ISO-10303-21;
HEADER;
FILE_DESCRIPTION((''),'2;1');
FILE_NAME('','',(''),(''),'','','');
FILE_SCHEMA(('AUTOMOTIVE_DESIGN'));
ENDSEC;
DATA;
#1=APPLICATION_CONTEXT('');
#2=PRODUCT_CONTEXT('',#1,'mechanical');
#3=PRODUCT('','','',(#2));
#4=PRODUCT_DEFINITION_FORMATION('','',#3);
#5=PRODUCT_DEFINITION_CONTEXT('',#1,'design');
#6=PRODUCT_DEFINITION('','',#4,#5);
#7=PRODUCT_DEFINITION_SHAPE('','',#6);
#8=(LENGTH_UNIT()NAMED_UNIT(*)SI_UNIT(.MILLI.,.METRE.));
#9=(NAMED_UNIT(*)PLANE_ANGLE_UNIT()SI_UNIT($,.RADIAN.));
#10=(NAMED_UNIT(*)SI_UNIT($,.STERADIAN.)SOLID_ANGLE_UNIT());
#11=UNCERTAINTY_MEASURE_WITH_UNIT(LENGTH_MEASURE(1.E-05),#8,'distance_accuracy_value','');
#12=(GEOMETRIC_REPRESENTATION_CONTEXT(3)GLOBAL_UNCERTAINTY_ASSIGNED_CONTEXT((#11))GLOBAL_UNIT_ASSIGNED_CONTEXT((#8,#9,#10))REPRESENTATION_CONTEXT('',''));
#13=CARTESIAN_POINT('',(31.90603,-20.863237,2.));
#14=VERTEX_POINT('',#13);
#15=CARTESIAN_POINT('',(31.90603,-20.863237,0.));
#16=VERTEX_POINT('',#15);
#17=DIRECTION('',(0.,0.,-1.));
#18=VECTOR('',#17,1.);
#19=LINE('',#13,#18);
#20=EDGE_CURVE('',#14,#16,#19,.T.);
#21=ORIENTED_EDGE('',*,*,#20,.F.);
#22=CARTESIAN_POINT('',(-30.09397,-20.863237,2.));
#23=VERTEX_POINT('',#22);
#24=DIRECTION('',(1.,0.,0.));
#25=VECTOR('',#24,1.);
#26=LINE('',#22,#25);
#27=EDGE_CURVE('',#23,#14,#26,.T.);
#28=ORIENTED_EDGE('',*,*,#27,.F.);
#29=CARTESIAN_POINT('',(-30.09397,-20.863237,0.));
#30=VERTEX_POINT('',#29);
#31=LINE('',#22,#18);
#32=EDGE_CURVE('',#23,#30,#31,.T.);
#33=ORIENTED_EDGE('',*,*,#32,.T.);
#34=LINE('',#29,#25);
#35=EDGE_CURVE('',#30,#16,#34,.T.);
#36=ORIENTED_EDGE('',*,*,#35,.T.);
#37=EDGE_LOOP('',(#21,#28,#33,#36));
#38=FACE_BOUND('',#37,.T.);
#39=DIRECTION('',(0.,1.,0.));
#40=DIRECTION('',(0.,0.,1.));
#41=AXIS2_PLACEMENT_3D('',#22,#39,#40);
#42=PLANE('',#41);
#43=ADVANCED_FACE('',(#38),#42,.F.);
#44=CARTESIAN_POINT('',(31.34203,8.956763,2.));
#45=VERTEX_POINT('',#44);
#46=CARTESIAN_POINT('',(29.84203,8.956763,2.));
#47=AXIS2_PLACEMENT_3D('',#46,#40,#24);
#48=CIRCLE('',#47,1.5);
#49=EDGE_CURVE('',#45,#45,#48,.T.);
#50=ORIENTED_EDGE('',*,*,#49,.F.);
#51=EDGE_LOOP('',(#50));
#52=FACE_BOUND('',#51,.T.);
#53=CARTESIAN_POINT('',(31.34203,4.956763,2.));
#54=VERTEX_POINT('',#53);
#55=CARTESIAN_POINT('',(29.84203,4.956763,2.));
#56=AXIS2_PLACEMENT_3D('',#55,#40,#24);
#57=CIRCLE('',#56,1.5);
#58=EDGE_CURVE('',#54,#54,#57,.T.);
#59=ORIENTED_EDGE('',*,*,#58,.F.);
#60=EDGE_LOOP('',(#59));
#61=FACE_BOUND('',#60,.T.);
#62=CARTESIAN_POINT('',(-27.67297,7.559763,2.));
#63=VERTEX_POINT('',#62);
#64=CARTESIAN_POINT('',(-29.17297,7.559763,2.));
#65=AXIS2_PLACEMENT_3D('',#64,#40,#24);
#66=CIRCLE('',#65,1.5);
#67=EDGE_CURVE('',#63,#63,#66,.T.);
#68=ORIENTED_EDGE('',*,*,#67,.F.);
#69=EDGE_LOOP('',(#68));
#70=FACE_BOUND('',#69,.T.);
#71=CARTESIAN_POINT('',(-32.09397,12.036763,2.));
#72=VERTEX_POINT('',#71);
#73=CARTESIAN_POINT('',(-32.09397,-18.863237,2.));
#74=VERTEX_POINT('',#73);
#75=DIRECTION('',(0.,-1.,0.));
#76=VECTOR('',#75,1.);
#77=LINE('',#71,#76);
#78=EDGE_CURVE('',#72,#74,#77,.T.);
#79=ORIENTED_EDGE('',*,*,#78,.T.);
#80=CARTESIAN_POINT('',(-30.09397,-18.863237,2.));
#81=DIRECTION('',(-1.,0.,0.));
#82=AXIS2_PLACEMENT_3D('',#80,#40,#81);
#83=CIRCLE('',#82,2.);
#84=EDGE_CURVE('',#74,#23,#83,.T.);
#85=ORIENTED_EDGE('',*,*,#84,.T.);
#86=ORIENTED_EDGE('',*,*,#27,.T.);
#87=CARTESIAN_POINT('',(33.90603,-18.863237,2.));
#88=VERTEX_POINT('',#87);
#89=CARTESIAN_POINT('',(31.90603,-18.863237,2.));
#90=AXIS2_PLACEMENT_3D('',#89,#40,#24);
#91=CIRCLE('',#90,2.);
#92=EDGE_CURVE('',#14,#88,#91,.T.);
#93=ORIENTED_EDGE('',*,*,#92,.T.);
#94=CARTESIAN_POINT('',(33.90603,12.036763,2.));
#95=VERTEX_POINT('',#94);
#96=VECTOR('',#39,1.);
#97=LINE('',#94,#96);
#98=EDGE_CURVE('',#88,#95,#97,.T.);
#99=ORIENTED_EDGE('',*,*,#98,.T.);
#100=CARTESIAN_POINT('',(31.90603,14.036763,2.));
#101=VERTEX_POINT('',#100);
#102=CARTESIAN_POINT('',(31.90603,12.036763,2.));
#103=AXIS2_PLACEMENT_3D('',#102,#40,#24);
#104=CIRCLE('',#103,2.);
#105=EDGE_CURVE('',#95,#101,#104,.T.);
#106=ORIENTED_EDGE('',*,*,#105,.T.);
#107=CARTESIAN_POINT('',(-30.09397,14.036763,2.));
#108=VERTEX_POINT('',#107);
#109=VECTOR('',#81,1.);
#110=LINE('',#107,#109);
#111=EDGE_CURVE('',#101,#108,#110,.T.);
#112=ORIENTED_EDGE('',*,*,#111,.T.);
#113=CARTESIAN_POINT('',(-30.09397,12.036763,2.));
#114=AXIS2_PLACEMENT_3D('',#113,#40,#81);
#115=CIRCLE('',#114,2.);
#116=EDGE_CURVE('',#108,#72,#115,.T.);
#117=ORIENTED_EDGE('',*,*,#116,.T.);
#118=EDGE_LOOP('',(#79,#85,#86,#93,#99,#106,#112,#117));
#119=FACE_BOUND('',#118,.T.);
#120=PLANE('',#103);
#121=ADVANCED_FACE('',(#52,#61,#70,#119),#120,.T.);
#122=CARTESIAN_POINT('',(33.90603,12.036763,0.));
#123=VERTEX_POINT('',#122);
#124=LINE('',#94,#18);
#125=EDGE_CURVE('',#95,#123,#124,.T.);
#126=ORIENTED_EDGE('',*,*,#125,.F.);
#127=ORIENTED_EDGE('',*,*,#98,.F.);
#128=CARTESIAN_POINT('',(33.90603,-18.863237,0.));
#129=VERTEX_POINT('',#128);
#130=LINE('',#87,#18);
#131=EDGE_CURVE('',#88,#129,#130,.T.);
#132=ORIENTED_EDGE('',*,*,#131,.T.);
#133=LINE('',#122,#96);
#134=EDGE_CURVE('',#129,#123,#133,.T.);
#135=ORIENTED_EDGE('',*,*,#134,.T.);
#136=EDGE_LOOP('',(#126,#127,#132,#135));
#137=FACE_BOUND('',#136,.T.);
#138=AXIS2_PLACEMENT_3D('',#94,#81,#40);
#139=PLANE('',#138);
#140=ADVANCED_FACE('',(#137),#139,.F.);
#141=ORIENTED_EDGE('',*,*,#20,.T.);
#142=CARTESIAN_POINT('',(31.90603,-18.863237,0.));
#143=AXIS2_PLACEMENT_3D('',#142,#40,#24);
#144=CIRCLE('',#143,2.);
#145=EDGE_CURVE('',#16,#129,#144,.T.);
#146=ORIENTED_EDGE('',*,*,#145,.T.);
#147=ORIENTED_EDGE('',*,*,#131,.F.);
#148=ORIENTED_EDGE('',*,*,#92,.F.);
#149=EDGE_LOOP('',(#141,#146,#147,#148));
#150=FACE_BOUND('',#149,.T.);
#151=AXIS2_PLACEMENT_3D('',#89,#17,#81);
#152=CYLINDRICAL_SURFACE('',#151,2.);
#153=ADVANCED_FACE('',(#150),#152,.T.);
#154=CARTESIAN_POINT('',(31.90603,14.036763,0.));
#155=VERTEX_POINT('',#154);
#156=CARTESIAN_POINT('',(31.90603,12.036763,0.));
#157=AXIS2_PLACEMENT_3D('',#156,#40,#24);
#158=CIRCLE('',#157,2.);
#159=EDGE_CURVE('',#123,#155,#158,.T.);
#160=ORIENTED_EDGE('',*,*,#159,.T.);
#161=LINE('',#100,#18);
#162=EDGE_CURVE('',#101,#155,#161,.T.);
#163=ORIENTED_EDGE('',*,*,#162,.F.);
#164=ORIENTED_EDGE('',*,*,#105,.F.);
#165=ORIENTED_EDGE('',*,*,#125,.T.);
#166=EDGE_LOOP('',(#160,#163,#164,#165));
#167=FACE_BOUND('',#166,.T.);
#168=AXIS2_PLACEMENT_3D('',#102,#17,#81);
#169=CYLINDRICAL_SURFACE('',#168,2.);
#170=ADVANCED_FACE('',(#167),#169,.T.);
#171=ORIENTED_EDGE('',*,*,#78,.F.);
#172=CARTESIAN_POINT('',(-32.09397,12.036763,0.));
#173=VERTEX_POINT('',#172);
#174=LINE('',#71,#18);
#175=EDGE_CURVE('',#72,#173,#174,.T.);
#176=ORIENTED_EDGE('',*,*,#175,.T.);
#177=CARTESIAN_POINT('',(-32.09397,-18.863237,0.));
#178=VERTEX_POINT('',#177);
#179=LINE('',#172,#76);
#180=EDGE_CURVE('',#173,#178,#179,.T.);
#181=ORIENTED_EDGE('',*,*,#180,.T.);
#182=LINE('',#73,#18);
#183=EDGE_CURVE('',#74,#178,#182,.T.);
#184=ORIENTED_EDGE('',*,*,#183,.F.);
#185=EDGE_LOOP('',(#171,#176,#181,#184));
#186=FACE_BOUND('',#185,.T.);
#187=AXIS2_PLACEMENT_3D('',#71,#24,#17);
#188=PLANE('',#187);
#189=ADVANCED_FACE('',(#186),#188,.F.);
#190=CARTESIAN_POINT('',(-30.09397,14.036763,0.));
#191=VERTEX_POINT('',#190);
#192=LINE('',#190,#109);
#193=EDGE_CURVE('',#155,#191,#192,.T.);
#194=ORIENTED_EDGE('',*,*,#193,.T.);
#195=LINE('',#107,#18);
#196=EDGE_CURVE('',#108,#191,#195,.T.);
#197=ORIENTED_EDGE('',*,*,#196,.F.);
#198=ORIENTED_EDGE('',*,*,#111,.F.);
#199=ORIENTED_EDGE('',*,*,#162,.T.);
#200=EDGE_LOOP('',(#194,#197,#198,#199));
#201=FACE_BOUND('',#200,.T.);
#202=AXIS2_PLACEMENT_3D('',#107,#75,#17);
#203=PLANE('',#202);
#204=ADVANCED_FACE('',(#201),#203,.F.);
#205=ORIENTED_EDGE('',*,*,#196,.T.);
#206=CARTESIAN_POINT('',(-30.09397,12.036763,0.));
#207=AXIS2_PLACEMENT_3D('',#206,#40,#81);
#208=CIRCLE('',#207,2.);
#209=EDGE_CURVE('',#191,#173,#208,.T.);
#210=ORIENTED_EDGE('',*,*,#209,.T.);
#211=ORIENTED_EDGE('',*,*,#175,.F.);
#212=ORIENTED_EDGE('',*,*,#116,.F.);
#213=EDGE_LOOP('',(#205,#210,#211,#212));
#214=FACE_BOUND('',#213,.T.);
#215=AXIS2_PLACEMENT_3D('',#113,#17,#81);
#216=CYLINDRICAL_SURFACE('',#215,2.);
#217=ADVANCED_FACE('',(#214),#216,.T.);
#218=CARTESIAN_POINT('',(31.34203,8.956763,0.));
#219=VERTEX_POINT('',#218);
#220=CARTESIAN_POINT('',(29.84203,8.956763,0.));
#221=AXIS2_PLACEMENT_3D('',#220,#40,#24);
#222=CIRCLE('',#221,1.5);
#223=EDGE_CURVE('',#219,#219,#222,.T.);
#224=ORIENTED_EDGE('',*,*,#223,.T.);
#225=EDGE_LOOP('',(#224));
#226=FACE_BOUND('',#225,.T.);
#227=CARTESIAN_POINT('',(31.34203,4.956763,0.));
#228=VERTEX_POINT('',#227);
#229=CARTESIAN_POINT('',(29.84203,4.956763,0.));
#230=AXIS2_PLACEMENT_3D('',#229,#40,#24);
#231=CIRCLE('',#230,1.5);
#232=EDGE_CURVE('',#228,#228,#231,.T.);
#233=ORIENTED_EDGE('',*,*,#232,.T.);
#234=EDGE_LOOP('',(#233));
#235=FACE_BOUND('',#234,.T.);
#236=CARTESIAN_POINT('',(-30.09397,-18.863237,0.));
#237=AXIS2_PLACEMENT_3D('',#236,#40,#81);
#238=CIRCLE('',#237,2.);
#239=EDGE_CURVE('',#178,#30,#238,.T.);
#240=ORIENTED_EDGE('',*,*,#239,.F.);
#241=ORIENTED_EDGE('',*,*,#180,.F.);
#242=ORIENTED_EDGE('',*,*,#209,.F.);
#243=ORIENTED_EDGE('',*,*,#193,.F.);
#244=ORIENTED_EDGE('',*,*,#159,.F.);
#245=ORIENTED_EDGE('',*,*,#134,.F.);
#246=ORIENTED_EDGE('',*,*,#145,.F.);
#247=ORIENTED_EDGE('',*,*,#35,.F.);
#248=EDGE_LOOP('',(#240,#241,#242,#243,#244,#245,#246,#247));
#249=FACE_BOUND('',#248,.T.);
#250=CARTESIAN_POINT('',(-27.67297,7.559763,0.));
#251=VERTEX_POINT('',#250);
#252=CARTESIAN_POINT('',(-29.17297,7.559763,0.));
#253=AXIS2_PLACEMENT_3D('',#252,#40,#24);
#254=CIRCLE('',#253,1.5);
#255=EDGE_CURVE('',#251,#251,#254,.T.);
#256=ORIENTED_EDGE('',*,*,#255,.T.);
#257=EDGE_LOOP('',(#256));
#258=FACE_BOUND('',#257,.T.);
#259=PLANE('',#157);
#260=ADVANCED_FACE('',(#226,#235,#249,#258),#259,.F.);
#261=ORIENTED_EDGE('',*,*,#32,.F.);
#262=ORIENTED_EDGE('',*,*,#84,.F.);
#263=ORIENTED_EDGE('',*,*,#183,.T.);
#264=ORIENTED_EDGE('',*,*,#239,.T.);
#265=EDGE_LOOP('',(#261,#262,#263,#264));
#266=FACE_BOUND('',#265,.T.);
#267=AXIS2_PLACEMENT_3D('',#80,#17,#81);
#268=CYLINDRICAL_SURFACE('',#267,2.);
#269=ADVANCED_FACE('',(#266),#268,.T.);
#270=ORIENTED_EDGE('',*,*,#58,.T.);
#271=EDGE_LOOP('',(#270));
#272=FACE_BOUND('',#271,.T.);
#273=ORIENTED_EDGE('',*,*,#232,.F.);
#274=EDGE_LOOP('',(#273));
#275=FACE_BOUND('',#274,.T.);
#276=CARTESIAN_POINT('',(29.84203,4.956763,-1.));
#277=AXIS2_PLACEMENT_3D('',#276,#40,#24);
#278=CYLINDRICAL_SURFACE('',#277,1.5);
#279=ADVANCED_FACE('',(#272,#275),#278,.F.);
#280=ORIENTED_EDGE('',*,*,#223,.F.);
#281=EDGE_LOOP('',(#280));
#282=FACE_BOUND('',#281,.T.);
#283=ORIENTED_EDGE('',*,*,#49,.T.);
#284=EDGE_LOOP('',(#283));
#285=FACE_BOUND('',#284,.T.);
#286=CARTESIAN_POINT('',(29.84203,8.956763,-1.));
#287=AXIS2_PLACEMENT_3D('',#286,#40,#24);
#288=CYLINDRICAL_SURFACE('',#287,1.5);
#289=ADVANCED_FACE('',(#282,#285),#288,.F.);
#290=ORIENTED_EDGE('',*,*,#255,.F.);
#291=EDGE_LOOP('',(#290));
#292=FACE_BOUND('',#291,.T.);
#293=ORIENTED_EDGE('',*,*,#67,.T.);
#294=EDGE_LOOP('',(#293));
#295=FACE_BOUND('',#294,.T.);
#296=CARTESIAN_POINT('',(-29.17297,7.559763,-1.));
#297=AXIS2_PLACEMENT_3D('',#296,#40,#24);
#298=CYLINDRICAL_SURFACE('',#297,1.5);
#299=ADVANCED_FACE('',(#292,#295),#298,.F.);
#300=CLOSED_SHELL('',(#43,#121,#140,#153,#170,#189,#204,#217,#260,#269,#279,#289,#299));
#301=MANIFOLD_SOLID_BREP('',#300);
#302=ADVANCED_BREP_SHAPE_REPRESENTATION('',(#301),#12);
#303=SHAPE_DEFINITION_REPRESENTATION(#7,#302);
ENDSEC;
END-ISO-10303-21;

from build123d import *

# Parameters (mm, degrees)
EXTRUDE_1_DEPTH     = 2
SKETCH_2_R          = 1.5
CUT_EXTRUDE_1_DEPTH = 3


with BuildPart() as part:
    # 草图1 → 凸台-拉伸1 (new body)
    with BuildSketch(Plane.XY):
        with BuildLine():
            Line((-30.093969849, 14.036762938), (31.906030151, 14.036762938))
            ThreePointArc((31.906030151, 14.036762938), (33.320243713, 13.4509765), (33.906030151, 12.036762938))
            Line((33.906030151, 12.036762938), (33.906030151, -18.863237062))
            ThreePointArc((33.906030151, -18.863237062), (33.320243713, -20.277450625), (31.906030151, -20.863237062))
            Line((31.906030151, -20.863237062), (-30.093969849, -20.863237062))
            ThreePointArc((-30.093969849, -20.863237062), (-31.508183412, -20.277450625), (-32.093969849, -18.863237062))
            Line((-32.093969849, -18.863237062), (-32.093969849, 12.036762938))
            ThreePointArc((-32.093969849, 12.036762938), (-31.508183412, 13.4509765), (-30.093969849, 14.036762938))
        make_face()
    extrude(amount=EXTRUDE_1_DEPTH)

    # 草图2 → 切除-拉伸1 (cut)
    with BuildSketch(Plane.XY.offset(2)):
        with Locations((-29.172969849, 7.559762938)):
            Circle(SKETCH_2_R)
        with Locations((29.842030151, 8.956762938)):
            Circle(SKETCH_2_R)
        with Locations((29.842030151, 4.956762938)):
            Circle(SKETCH_2_R)
    extrude(amount=-CUT_EXTRUDE_1_DEPTH, mode=Mode.SUBTRACT)


solid = part.part
